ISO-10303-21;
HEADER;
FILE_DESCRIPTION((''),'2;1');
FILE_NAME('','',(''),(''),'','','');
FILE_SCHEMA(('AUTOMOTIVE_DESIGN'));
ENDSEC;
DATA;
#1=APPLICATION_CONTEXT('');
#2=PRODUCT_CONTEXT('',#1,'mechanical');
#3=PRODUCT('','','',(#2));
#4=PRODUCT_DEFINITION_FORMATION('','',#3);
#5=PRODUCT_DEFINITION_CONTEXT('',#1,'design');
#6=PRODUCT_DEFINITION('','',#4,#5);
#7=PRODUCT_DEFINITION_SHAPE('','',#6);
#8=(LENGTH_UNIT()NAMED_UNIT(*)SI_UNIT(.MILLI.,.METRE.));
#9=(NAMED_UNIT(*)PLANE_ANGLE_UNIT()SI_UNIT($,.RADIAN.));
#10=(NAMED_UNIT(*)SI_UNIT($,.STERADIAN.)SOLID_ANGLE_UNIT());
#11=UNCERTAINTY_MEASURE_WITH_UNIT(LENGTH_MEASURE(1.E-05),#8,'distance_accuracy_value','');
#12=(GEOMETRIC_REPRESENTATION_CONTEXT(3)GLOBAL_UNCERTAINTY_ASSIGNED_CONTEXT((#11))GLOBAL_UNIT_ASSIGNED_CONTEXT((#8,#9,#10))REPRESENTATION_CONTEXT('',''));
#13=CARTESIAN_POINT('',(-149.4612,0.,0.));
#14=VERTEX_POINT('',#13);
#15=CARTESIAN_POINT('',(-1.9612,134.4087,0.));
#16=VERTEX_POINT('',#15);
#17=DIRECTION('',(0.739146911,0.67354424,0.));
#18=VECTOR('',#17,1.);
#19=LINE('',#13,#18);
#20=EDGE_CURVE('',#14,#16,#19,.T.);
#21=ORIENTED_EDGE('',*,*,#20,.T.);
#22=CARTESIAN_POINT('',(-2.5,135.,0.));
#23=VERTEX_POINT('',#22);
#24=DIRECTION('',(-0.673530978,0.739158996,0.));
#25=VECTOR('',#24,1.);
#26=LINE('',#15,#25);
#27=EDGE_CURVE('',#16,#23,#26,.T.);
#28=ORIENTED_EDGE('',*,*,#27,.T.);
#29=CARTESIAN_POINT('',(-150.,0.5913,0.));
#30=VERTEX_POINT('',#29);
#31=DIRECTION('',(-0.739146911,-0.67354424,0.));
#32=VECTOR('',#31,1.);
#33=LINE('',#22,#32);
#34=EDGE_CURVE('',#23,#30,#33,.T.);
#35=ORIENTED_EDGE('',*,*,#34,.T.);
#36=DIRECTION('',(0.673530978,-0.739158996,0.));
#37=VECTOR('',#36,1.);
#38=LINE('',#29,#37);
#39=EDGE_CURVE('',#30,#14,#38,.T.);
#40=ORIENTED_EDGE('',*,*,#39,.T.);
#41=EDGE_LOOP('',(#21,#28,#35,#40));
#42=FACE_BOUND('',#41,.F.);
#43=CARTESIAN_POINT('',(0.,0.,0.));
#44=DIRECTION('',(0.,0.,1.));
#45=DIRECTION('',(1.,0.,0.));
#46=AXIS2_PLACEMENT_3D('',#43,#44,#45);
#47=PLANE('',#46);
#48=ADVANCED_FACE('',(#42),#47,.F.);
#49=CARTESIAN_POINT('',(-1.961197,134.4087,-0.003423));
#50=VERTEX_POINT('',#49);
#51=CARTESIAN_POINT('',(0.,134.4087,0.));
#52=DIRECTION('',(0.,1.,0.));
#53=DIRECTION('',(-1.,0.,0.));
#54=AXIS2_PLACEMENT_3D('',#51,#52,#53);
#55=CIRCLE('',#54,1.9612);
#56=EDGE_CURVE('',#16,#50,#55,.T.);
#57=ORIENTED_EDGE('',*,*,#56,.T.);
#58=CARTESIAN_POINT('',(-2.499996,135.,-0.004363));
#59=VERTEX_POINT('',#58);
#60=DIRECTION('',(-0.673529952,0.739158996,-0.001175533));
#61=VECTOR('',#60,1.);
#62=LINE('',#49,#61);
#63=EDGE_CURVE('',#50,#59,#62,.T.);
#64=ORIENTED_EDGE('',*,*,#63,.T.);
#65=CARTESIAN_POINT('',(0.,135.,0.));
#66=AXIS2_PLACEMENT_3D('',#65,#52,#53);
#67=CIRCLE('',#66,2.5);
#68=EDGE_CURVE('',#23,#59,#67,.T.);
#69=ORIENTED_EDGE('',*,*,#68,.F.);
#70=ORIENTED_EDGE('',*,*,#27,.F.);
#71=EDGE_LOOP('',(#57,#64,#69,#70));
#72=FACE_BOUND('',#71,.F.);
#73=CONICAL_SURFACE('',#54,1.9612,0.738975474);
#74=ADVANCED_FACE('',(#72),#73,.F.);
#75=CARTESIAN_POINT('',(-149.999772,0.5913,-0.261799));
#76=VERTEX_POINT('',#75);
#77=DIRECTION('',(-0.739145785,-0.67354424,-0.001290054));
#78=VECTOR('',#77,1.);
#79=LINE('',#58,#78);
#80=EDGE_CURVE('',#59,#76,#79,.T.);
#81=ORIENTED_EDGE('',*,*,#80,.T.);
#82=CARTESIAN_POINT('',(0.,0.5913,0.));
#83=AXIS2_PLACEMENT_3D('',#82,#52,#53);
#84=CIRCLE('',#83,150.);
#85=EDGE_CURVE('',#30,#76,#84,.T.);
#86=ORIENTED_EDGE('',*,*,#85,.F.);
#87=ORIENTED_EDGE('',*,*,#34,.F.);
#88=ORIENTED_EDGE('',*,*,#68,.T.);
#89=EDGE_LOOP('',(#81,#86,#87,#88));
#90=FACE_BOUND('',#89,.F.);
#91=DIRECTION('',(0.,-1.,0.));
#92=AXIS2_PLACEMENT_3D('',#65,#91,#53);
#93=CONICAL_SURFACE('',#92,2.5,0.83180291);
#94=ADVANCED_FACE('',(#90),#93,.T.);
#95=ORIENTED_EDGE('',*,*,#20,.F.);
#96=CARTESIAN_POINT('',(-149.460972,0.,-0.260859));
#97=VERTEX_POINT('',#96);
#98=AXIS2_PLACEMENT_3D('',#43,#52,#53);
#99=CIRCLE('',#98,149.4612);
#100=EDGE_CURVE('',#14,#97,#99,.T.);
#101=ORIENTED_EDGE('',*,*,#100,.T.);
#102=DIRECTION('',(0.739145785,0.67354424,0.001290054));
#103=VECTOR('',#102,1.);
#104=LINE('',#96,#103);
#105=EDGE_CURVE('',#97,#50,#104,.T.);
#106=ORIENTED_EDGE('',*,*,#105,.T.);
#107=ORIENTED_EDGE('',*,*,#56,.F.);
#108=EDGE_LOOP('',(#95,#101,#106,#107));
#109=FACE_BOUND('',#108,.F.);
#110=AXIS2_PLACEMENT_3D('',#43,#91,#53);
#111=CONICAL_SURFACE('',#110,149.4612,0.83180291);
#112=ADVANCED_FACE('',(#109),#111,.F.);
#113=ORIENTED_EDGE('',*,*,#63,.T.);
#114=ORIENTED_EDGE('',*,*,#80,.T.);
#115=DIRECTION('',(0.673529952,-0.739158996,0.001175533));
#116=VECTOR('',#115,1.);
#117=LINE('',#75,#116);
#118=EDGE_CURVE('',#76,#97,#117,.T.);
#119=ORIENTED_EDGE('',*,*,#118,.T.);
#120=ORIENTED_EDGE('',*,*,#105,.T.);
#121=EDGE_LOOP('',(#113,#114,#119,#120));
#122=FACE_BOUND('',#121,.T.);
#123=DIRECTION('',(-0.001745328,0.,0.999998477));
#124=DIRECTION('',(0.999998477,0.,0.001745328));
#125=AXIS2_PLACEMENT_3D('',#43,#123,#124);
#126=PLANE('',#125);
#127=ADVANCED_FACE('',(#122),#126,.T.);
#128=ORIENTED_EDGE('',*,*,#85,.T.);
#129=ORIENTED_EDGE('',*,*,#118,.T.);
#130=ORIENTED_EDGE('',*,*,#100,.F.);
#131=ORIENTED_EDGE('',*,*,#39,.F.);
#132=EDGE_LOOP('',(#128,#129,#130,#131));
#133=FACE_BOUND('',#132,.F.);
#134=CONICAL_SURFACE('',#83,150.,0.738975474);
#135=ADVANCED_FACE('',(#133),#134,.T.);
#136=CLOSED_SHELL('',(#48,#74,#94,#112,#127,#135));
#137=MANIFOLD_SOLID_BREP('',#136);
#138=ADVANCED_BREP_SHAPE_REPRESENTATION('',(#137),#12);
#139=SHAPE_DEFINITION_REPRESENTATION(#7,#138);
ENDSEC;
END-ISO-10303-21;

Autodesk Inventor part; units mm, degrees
ref_plane "YZ Plane" through (0, 0, 0) normal (1, 0, 0) x (0, 1, 0)
ref_plane "XZ Plane" through (0, 0, 0) normal (0, 1, 0) x (-1, 0, 0)
ref_plane "XY Plane" through (0, 0, 0) normal (0, 0, 1) x (1, 0, 0)
sketch "Sketch1" plane through (0, 0, 0) normal (0, 0, 1) x (1, 0, 0)
  line L0 (-149.4612, 0) -> (-1.9612, 134.4087)
  line L1 (-1.9612, 134.4087) -> (-2.5, 135)
  line L2 (-2.5, 135) -> (-150, 0.5913)
  line L3 (-150, 0.5913) -> (-149.4612, 0)
  line L4 (-149.4612, 0) -> (-2.5, 135) construction
  line L5 (-1.9612, 134.4087) -> (-150, 0.5913) construction
  line L6 (0, 0) -> (0, 135)
  point P0 (-75.9806, 67.5)
  dimension "d0" = 0.8
  dimension "d3" = 300
  dimension "d4" = 135
  dimension "d5" = 5
revolve "Revolution1" add sketch "Sketch1" angle 359.9 about axis through (0, 0, 0) along (0, 1, 0)
equation "\"d0\" = Thickness"
equation "\"BendRadius\" = Thickness"
equation "\"BendReliefWidth\" = Thickness"
equation "\"BendReliefDepth\" = 0.5 * Thickness"
equation "\"CornerReliefSize\" = 4 * Thickness"
equation "\"MinimumRemnant\" = 2 * Thickness"
equation "\"TransitionRadius\" = BendRadius"
equation "\"JacobiRadiusSize\" = BendRadius"
equation "\"GapSize\" = Thickness"
equation "\"Thickness\" = 0.8"
properties part number "МОО 063 ракета нос" material "Stainless Steel"
